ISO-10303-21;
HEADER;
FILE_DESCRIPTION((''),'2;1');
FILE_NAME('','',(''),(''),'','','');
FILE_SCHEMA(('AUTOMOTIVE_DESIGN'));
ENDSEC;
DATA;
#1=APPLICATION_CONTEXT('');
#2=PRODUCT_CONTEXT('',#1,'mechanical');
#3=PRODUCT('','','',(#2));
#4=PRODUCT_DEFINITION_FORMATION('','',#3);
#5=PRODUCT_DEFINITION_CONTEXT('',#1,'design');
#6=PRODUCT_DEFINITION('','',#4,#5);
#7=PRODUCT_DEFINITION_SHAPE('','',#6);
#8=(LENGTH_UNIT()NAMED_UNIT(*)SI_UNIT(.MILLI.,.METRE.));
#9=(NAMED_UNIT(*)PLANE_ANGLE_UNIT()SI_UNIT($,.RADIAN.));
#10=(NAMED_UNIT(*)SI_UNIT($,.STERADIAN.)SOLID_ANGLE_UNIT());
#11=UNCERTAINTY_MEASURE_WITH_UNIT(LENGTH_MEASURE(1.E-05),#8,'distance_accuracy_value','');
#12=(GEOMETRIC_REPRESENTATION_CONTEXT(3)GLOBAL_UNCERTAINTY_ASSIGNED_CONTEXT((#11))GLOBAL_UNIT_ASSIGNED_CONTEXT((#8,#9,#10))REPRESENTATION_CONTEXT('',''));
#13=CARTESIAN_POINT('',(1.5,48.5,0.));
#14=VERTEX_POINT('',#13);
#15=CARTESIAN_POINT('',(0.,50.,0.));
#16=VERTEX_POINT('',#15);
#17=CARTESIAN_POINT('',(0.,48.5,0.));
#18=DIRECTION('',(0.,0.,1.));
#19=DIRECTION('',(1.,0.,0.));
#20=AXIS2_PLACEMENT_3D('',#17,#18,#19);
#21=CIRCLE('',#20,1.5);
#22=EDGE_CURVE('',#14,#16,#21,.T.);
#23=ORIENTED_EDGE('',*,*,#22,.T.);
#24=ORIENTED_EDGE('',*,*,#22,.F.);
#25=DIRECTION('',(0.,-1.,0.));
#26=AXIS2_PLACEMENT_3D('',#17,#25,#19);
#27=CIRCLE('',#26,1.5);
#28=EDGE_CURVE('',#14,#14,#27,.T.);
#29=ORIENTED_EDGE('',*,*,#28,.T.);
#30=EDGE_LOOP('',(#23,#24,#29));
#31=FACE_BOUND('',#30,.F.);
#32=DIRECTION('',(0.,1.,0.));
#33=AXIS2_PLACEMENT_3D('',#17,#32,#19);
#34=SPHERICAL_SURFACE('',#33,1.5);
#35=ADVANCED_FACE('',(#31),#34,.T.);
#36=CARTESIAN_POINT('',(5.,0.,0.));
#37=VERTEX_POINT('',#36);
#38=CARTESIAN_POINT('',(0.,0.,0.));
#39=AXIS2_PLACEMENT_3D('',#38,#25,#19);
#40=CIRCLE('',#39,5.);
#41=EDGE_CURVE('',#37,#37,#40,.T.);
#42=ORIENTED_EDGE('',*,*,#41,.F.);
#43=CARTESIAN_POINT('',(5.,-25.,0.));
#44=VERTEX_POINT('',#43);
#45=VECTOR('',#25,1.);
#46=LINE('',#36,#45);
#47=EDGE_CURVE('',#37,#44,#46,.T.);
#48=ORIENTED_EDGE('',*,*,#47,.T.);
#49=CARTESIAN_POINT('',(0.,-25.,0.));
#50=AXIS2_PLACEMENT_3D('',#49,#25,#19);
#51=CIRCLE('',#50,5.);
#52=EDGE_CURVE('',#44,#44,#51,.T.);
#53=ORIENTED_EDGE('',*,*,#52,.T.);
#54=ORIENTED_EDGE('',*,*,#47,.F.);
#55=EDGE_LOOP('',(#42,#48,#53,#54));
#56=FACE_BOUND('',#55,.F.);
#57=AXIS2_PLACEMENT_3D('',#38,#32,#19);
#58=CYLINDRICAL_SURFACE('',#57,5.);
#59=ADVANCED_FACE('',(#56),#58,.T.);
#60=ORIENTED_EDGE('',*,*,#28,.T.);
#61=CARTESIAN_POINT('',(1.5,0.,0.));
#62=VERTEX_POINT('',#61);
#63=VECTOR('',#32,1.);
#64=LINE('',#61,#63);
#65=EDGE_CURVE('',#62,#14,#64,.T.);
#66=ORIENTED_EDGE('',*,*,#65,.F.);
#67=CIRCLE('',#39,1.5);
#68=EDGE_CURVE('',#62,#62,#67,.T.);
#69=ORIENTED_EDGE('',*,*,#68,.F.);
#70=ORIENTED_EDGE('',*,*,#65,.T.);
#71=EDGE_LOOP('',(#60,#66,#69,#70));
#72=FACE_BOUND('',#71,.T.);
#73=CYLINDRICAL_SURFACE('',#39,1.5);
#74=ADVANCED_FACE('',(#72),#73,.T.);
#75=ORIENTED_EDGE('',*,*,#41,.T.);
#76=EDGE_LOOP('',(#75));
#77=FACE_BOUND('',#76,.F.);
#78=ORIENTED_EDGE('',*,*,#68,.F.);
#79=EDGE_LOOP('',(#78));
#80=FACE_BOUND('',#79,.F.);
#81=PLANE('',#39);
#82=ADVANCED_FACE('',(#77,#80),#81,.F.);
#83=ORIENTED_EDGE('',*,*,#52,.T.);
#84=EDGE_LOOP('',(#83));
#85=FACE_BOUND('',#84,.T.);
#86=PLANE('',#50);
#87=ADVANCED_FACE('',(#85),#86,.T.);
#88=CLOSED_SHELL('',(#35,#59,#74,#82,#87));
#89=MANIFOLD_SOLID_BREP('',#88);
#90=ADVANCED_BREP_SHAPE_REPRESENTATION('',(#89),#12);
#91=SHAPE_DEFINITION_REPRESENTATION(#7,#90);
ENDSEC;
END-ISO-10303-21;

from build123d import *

# Parameters (mm, degrees)
F0_R     = 1.5
F1_DEPTH = 50
F2_R     = 5
F3_DEPTH = 25
F4_R     = 1.5


with BuildPart() as f1:
    # F0 (on Front) → F1 (new body)
    with BuildSketch(Plane.XZ):
        Circle(F0_R)
    extrude(amount=-F1_DEPTH)

    # F2 (on Front) → F3 (join)
    with BuildSketch(Plane.XZ):
        Circle(F2_R)
    extrude(amount=F3_DEPTH)

    # F4
    f4_edges = [f1.edges().sort_by_distance(p)[0] for p in [
        (-1.5, 50, 0),
    ]]
    fillet(f4_edges, radius=F4_R)


solid = f1.part
